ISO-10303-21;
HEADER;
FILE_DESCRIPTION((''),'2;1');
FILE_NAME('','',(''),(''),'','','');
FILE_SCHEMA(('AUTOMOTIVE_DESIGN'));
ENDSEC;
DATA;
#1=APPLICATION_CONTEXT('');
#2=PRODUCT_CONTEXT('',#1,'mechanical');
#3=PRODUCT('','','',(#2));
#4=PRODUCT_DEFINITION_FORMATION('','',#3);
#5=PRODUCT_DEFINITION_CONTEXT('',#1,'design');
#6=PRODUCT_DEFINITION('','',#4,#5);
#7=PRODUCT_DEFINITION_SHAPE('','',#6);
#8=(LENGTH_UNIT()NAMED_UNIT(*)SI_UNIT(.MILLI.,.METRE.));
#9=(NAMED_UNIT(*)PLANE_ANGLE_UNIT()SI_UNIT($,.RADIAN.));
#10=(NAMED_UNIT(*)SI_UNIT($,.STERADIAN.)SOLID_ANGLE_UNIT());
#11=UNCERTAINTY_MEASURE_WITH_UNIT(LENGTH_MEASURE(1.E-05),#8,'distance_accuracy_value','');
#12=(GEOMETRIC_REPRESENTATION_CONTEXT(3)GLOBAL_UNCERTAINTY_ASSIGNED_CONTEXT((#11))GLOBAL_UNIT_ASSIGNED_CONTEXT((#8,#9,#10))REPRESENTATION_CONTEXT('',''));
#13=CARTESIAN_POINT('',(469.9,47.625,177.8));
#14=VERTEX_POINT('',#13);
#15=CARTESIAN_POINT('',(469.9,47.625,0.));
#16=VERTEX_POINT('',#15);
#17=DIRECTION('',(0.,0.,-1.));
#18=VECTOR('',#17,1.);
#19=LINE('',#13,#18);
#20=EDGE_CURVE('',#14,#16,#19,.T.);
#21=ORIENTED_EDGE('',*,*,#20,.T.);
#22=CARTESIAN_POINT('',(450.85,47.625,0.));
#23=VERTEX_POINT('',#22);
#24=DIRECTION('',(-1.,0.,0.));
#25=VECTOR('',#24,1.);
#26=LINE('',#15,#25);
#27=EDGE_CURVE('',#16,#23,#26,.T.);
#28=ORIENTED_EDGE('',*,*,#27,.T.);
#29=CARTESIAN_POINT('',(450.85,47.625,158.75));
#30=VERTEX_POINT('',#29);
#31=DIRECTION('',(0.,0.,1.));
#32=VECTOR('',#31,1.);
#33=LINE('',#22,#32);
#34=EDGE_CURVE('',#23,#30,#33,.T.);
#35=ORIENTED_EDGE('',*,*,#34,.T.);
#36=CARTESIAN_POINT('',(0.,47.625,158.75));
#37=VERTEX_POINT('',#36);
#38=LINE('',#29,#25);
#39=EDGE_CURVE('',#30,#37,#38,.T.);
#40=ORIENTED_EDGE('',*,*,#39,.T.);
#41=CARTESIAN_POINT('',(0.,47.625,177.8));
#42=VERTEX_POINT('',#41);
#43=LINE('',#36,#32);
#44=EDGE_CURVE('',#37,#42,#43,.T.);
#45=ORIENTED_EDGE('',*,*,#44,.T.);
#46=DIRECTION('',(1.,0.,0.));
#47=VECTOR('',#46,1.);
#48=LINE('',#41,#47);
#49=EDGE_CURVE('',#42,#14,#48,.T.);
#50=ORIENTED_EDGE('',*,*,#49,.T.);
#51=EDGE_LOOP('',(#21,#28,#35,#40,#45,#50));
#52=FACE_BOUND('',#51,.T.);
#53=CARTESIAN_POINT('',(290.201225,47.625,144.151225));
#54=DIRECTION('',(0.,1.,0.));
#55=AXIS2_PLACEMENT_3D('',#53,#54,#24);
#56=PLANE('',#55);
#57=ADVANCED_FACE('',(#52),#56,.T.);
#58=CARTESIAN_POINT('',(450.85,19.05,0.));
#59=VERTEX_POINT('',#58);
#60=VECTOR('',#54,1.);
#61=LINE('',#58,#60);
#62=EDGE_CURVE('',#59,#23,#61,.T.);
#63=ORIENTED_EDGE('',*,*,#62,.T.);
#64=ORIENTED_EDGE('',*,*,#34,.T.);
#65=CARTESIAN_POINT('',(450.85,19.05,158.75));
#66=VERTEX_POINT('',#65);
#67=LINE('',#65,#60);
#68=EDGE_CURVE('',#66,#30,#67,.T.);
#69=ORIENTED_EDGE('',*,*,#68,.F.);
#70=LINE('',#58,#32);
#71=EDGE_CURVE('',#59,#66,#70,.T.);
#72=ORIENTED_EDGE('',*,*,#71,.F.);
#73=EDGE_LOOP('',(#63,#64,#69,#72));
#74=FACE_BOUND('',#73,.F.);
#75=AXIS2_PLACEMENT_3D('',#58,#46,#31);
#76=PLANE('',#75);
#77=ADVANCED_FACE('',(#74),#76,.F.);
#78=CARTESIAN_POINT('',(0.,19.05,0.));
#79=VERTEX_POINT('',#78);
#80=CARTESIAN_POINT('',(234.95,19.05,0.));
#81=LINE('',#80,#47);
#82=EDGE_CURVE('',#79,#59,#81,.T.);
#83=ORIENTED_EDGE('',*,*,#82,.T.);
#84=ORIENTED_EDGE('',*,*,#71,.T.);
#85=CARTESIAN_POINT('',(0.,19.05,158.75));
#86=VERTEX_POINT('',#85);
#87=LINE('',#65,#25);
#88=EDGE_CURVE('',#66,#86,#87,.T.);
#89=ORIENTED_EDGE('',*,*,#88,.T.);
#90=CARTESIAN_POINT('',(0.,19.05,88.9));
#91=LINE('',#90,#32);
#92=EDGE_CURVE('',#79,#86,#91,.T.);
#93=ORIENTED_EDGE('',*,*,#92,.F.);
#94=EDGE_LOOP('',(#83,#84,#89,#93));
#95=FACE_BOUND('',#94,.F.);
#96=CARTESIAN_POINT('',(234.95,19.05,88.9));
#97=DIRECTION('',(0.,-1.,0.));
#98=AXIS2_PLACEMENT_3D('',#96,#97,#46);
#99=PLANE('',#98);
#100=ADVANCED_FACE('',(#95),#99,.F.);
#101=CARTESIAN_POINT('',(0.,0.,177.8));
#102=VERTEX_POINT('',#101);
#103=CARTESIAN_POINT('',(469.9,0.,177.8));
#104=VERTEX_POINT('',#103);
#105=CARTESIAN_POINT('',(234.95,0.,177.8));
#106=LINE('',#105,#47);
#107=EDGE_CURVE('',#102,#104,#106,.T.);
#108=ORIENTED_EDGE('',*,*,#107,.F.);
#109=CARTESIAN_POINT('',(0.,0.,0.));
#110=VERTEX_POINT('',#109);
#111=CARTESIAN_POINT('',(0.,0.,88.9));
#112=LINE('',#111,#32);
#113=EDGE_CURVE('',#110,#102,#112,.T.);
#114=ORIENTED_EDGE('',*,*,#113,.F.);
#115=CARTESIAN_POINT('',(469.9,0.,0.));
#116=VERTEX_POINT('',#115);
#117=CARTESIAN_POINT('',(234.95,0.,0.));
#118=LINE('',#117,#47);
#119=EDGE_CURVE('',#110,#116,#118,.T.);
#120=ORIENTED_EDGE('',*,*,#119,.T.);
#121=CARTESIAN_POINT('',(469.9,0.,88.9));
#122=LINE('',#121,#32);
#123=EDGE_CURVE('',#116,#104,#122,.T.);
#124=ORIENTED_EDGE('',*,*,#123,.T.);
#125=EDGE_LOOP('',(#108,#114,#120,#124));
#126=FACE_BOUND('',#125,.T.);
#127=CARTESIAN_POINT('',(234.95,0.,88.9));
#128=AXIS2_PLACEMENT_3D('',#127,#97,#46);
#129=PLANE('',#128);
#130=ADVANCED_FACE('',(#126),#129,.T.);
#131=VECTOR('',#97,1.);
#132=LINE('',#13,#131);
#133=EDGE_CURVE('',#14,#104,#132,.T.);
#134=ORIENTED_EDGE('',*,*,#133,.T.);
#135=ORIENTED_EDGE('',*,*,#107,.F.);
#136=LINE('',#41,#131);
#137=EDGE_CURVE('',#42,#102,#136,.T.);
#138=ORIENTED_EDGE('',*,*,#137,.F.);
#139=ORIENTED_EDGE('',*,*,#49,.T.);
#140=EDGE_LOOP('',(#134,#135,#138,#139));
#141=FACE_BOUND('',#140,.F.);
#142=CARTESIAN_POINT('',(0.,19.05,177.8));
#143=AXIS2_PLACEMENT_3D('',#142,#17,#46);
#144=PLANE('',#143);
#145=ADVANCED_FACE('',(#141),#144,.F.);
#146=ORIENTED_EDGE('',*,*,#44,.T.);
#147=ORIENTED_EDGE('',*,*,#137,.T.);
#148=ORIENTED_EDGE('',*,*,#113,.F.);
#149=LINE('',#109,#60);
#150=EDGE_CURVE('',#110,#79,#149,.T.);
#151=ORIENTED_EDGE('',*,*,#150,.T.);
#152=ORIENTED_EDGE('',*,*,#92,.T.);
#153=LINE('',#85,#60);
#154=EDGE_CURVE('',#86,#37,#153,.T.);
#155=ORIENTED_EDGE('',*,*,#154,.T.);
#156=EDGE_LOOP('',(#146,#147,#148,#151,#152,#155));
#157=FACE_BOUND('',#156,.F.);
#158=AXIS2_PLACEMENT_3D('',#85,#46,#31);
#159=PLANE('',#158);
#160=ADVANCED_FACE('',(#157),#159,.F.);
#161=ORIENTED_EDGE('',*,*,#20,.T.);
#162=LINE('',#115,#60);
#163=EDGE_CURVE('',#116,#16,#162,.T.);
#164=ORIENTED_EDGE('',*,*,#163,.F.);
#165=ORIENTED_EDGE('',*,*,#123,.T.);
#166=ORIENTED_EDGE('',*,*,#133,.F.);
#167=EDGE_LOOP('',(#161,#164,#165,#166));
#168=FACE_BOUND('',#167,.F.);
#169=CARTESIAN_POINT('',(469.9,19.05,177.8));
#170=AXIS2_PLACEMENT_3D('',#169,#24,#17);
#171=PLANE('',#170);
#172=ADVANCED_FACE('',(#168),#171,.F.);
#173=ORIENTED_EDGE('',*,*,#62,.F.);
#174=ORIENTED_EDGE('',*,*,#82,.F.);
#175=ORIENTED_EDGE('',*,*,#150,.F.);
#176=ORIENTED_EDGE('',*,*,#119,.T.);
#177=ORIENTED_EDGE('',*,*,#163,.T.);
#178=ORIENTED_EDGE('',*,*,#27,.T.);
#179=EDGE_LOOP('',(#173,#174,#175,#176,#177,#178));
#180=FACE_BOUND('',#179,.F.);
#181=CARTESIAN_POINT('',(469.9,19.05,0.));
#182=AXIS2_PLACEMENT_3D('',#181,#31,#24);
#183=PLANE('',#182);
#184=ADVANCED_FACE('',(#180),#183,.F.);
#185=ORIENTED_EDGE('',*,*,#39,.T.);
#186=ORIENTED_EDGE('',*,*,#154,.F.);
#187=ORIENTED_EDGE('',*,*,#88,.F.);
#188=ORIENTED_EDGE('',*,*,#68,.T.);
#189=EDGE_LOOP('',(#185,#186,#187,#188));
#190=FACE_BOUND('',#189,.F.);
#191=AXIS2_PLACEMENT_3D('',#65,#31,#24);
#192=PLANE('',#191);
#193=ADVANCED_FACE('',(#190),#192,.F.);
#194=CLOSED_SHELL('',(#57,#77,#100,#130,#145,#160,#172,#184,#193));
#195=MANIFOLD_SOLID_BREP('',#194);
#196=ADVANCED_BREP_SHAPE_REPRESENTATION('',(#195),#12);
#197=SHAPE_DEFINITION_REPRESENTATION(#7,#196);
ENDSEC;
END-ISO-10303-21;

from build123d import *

# Parameters (mm, degrees)
F0_W     = 469.9
F0_H     = 177.8
F1_DEPTH = 19.05
F3_DEPTH = 28.575


with BuildPart() as f1:
    # F0 (on Front) → F1 (new body)
    with BuildSketch(Plane.XZ):
        with Locations((234.95, 88.9)):
            Rectangle(F0_W, F0_H)
    extrude(amount=-F1_DEPTH)

    # F2 (on face) → F3 (join)
    with BuildSketch(Plane(origin=(0, 19.05, 0), x_dir=(-1, 0, 0), z_dir=(0, 1, 0))):
        Polygon((-469.9, 177.8), (-469.9, 0), (-450.85, 0), (-450.85, 158.75), (0, 158.75), (0, 177.8), align=None)
    extrude(amount=F3_DEPTH)


solid = f1.part
